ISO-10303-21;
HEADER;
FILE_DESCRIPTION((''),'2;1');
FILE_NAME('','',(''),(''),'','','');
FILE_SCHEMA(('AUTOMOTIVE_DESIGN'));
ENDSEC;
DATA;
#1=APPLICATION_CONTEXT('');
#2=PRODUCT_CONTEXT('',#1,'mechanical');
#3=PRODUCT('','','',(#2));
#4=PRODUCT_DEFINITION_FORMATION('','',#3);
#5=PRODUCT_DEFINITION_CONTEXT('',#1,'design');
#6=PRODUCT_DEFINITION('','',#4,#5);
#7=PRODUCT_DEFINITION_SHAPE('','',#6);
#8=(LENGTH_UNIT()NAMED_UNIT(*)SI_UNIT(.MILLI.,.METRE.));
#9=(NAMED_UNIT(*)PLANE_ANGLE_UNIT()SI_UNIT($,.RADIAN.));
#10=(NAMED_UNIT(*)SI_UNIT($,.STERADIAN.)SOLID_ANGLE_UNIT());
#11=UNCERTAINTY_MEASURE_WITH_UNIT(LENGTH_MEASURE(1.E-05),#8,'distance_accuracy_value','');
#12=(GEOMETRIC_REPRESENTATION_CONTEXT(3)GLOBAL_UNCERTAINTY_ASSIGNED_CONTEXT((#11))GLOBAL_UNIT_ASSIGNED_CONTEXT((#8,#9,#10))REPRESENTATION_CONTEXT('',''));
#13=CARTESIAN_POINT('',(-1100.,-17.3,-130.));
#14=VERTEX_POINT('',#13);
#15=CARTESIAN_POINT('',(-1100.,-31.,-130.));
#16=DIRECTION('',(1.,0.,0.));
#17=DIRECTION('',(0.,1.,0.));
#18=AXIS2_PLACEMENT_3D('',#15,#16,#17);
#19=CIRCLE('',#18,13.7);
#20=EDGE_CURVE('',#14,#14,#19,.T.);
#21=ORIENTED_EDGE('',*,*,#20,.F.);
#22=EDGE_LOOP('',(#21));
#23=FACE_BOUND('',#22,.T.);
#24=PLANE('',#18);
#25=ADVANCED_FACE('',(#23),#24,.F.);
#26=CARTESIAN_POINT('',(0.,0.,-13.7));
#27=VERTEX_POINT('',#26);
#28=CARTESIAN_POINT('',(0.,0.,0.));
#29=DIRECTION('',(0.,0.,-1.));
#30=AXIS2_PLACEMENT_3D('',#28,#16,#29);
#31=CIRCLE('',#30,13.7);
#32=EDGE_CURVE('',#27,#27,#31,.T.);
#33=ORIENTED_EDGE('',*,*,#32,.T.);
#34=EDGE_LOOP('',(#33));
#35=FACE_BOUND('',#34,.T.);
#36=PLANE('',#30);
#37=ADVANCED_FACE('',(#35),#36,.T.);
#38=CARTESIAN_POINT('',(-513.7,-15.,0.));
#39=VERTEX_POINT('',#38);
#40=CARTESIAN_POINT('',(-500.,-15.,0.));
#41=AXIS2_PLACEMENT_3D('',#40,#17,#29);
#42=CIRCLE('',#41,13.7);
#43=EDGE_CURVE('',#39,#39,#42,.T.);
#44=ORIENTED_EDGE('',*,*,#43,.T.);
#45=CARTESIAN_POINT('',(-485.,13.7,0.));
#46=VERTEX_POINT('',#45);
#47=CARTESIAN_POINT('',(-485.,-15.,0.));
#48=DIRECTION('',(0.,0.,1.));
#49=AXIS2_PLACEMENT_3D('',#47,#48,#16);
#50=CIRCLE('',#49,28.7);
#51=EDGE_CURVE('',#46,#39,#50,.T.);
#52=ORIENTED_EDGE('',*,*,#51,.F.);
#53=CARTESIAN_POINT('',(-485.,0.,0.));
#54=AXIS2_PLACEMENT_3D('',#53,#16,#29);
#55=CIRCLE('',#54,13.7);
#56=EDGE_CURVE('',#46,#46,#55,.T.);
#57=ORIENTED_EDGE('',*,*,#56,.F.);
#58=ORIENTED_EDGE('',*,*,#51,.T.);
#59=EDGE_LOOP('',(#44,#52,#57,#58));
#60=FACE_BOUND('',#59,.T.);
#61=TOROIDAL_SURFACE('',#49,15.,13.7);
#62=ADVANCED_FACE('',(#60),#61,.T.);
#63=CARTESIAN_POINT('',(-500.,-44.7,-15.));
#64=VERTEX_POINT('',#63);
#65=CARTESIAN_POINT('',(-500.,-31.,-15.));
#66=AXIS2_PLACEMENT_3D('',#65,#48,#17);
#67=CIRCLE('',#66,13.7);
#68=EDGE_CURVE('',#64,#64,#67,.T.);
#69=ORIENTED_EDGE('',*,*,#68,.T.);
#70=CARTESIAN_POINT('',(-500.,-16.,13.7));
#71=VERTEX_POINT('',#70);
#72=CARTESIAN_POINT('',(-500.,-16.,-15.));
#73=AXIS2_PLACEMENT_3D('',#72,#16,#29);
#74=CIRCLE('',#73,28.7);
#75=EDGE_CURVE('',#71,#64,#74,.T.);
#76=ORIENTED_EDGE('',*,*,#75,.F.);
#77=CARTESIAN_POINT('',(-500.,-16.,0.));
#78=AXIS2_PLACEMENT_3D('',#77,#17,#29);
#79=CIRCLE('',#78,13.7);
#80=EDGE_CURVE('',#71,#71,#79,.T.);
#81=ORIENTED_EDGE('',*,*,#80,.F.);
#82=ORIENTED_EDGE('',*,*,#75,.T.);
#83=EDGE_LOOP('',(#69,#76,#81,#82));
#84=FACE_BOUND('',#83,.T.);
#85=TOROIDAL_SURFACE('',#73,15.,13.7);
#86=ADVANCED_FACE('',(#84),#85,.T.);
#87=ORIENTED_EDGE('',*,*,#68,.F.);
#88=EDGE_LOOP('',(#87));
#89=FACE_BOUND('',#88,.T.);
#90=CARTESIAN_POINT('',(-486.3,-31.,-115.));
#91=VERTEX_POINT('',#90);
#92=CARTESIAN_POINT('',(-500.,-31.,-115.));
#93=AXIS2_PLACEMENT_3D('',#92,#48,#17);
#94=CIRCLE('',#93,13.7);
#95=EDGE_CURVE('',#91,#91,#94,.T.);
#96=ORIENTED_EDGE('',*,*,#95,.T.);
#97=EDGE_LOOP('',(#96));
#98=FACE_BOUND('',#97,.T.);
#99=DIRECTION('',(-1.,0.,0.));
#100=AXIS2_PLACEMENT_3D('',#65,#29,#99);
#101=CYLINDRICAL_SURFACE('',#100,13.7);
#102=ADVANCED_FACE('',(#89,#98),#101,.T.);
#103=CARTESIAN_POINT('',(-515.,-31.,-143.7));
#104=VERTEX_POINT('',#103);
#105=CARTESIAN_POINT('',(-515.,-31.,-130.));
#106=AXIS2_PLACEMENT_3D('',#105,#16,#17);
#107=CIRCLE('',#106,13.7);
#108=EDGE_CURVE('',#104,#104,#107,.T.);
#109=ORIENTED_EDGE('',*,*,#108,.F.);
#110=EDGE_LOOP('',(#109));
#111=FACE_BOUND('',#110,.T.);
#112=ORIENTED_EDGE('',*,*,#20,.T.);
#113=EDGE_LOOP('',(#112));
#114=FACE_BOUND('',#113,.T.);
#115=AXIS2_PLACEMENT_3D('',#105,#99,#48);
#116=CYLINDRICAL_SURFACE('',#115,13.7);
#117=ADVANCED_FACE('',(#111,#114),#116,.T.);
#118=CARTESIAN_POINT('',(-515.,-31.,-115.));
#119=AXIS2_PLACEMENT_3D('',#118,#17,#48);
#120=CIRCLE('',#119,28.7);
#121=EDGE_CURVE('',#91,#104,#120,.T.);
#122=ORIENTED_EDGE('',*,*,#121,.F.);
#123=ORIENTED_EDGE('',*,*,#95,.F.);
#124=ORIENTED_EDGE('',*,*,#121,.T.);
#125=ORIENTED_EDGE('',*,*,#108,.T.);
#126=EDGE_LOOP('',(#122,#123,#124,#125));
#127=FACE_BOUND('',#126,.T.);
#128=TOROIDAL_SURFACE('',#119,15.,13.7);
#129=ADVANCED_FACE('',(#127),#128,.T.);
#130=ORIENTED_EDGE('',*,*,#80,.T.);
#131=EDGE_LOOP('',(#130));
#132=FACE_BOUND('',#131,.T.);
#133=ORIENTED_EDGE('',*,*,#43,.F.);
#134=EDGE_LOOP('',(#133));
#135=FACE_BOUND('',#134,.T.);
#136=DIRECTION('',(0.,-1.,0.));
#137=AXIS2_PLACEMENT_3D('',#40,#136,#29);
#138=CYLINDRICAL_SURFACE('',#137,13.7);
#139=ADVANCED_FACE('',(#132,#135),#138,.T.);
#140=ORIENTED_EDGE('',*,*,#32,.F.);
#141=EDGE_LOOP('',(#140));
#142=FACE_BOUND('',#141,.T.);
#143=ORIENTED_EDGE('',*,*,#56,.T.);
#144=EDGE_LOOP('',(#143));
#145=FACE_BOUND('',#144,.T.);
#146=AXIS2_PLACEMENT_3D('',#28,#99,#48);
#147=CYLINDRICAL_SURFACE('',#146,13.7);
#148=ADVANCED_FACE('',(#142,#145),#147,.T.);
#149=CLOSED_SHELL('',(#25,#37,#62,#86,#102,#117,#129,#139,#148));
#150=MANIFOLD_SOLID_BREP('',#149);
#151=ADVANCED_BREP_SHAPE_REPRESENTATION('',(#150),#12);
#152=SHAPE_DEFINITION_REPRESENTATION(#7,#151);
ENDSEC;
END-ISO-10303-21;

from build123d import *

# Parameters (mm, degrees)
CROQUIS1_R = 13.7


with BuildPart() as part:
    # Barrer1: sweep along a curve in space
    with BuildLine() as barrer1_path:
        Line((0, 0, 0), (-485, 0, 0))
        ThreePointArc((-485, 0, 0), (-495.606601718, -4.393398282, 0), (-500, -15, 0))
        Line((-500, -15, 0), (-500, -16, 0))
        ThreePointArc((-500, -16, 0), (-500, -26.606601718, -4.393398282), (-500, -31, -15))
        Line((-500, -31, -15), (-500, -31, -115))
        ThreePointArc((-500, -31, -115), (-504.393398282, -31, -125.606601718), (-515, -31, -130))
        Line((-515, -31, -130), (-1100, -31, -130))
    # Croquis1 → Barrer1 (sweep)
    with BuildSketch(Plane(origin=(0, 0, 0), x_dir=(0, 0, -1), z_dir=(1, 0, 0))):
        Circle(CROQUIS1_R)
    sweep(path=barrer1_path.line)


solid = part.part
